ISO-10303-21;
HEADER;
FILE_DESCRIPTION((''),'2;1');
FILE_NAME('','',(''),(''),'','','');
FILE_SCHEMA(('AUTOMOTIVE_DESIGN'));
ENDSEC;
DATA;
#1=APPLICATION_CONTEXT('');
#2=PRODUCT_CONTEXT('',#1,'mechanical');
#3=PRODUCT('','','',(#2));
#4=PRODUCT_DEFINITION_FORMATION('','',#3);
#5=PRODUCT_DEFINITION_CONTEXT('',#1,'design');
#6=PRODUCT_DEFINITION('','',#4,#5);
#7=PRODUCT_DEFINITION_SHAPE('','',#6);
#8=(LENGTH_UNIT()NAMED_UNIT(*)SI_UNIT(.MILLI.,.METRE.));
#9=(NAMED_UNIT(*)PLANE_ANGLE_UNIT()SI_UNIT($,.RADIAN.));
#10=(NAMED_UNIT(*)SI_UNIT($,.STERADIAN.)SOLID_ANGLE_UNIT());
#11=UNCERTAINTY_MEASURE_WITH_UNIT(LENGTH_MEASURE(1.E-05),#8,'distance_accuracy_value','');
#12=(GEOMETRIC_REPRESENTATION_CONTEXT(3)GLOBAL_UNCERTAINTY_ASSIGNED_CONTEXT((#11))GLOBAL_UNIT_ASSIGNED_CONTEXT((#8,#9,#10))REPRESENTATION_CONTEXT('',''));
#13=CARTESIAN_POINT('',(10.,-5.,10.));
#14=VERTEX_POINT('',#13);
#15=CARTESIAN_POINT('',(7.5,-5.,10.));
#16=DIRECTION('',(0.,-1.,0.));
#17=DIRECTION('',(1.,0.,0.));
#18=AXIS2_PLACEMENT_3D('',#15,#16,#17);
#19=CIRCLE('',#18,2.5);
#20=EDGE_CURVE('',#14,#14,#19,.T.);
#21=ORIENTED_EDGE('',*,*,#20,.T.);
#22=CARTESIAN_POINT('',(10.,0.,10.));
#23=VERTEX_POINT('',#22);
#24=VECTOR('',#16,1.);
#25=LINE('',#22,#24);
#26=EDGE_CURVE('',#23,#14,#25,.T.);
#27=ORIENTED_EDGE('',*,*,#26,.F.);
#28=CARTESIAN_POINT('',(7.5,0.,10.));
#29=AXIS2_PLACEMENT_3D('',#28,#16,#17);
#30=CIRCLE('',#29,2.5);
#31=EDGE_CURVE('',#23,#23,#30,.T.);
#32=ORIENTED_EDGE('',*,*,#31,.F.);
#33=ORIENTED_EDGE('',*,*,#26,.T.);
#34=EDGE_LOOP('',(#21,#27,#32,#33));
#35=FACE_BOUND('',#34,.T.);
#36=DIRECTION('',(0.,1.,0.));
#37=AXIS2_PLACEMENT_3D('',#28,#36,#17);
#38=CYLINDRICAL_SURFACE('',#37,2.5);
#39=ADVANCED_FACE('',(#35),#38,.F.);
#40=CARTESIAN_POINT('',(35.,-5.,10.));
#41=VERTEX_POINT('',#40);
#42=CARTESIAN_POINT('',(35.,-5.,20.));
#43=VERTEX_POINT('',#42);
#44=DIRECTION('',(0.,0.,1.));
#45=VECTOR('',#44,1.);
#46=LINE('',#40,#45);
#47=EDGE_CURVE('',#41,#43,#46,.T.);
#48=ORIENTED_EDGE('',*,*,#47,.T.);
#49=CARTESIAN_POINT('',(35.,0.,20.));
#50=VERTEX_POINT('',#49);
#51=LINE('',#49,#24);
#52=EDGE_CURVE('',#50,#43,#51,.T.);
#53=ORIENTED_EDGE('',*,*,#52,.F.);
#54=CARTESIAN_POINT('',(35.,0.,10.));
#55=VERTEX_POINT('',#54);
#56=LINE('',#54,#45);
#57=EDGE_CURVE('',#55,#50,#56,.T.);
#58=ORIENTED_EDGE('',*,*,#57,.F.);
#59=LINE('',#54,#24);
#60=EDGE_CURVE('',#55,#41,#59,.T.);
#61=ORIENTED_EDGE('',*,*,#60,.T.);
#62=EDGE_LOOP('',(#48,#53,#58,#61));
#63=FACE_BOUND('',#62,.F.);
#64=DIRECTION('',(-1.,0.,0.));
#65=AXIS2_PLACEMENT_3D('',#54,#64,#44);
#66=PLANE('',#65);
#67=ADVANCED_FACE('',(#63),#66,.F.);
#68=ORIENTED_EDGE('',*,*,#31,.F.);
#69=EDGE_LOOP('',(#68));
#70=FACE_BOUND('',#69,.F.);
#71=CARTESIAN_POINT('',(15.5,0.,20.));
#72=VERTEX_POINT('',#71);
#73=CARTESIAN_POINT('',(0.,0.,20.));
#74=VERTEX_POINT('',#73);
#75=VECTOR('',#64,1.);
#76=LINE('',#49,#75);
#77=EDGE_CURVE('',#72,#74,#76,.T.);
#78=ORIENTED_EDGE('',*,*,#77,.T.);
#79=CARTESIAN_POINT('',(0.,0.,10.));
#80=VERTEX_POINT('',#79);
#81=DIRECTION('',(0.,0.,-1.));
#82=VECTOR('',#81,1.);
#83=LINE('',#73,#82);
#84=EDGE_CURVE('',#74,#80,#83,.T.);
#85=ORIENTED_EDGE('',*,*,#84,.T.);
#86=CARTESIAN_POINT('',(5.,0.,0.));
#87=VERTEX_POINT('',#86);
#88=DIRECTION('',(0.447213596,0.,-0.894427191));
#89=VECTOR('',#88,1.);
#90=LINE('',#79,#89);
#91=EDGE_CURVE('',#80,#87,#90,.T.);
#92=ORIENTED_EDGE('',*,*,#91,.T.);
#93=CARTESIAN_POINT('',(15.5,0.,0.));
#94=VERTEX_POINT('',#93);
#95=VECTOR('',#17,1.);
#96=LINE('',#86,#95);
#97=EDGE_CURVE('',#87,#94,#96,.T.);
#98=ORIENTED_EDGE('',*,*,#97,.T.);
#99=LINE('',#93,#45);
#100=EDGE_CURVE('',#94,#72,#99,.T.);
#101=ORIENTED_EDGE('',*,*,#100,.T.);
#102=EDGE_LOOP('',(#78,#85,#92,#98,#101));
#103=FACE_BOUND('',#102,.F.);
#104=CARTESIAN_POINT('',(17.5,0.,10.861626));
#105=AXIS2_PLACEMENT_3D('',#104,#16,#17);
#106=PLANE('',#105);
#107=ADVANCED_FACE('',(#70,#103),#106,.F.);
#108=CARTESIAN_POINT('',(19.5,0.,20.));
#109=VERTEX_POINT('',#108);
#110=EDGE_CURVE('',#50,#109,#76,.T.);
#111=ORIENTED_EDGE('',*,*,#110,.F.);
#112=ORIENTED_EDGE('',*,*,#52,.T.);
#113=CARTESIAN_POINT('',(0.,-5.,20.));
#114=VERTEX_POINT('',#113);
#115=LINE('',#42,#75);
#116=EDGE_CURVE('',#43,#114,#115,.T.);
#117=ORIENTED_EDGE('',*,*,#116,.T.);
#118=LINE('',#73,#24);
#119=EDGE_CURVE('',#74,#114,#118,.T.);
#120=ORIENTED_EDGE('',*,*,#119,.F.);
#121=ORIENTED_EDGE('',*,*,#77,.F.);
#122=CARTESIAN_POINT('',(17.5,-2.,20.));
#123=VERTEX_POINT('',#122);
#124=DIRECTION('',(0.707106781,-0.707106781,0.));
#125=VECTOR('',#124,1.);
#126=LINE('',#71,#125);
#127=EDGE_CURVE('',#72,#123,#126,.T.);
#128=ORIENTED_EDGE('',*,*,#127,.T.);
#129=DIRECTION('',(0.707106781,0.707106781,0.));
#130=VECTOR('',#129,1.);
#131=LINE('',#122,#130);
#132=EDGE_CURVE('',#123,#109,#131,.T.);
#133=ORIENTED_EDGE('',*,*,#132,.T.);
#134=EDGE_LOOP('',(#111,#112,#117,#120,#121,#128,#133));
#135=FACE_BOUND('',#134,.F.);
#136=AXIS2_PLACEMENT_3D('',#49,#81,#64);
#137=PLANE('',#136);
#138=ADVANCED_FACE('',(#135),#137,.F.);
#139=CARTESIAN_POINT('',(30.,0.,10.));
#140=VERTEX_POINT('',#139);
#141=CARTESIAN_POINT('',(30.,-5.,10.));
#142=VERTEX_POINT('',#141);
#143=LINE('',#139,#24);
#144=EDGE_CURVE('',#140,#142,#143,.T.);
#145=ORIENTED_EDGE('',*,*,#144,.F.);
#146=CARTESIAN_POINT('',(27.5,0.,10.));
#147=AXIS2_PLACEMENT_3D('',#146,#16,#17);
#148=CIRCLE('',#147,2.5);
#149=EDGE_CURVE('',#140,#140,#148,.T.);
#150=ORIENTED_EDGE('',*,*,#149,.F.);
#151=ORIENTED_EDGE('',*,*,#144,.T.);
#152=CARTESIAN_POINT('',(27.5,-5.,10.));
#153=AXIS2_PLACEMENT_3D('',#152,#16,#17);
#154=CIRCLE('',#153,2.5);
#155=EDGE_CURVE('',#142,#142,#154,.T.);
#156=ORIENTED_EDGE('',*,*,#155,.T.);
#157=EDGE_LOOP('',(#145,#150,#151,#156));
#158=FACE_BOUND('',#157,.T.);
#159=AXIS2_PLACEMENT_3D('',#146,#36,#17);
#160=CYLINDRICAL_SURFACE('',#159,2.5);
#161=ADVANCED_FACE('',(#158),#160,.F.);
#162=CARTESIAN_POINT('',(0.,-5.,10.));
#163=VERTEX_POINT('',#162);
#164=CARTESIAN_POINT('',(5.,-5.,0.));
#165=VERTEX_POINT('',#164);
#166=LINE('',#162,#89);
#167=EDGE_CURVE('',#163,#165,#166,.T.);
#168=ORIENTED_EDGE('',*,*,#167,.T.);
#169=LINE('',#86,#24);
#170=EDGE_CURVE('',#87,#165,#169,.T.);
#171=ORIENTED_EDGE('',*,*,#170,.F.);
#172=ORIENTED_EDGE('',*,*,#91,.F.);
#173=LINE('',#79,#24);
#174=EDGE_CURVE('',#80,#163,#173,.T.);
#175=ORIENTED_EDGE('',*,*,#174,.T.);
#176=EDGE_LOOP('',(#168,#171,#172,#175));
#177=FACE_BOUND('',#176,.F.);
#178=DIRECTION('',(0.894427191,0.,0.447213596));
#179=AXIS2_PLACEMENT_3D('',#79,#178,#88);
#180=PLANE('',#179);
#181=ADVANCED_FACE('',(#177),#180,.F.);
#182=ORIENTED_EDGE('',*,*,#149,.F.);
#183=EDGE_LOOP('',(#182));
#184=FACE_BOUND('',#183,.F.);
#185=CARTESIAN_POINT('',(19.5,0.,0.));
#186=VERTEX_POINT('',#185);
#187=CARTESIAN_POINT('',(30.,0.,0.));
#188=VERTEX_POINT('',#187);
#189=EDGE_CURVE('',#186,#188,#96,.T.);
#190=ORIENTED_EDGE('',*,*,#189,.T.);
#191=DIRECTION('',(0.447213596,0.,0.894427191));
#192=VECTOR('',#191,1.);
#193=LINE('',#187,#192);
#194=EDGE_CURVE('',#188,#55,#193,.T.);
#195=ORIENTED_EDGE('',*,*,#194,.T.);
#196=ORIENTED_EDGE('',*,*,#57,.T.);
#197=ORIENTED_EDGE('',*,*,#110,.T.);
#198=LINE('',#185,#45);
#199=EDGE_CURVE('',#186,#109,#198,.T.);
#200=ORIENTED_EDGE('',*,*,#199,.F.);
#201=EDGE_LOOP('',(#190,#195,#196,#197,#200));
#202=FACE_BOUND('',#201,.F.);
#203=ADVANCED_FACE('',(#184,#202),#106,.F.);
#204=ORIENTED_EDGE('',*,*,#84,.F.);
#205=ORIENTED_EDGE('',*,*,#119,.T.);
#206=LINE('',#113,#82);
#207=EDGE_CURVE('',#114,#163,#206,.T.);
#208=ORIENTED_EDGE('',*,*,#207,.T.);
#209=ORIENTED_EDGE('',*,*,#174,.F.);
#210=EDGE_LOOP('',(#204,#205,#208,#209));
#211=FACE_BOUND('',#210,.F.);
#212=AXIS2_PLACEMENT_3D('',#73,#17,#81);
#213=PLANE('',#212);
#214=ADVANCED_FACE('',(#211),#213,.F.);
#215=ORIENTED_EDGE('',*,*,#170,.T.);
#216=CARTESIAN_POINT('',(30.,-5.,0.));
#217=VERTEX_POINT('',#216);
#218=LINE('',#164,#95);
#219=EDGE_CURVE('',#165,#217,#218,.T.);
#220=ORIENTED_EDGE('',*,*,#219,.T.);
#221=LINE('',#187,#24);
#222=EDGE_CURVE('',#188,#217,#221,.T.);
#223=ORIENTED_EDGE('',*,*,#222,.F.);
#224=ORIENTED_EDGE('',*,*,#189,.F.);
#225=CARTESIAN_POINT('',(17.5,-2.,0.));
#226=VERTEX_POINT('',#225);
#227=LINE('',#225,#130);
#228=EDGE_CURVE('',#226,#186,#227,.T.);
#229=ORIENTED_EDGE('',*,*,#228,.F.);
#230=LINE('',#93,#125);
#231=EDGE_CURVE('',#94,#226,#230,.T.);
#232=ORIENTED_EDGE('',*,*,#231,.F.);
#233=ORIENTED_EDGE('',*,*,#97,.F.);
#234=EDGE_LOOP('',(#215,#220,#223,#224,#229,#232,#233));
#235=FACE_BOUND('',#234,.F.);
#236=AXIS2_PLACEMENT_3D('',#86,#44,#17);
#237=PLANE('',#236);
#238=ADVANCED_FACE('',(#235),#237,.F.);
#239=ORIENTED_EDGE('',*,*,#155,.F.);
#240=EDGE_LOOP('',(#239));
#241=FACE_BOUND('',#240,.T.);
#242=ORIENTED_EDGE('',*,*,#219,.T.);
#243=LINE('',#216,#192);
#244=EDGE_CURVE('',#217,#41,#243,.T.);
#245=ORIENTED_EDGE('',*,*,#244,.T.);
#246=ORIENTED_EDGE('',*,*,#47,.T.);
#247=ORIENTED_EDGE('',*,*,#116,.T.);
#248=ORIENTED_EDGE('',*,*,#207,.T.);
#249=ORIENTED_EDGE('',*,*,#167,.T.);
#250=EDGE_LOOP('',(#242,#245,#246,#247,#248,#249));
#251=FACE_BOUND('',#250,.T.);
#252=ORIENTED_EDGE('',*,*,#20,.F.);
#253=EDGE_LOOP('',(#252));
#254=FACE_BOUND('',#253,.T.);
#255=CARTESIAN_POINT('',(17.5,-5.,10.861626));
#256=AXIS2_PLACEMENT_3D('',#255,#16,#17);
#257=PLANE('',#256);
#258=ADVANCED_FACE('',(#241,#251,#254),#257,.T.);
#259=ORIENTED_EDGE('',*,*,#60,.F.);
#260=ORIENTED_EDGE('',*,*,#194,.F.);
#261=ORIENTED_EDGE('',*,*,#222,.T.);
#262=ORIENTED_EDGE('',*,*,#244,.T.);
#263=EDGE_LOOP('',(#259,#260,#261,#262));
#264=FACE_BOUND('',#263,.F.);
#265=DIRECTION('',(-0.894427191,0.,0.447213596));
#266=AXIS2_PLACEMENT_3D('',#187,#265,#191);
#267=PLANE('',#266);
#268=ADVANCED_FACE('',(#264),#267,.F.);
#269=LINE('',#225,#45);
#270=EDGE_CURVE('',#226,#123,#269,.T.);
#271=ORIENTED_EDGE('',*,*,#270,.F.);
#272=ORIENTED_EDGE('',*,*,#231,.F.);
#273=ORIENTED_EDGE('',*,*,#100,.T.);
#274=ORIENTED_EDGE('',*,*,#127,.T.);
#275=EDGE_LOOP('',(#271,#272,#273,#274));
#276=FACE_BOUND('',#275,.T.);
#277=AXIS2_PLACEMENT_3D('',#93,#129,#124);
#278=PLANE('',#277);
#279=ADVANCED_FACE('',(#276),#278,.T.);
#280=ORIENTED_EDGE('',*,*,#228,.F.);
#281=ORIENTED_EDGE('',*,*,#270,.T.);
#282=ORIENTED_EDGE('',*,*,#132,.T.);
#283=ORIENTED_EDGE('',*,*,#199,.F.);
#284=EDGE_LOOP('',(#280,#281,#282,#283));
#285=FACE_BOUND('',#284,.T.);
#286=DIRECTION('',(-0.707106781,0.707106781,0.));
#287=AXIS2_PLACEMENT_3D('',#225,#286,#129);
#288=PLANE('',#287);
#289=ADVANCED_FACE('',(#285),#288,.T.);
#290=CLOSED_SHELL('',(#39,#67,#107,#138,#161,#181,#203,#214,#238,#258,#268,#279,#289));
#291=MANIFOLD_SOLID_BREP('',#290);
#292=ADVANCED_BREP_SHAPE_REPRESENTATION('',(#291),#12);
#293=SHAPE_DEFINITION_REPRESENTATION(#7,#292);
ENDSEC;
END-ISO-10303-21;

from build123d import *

# Parameters (mm, degrees)
SKETCH002_R      = 2.5
EXTRUDE002_DEPTH = 5
EXTRUDE001_DEPTH = 20
EXTRUDE_DEPTH    = 5


with BuildPart() as extrude002:
    # Sketch002 (on Cut) → Extrude002 (new body)
    with BuildSketch(Plane.XZ):
        with Locations((27.5, 10)):
            Circle(SKETCH002_R)
        with Locations((7.5, 10)):
            Circle(SKETCH002_R)
    extrude(amount=EXTRUDE002_DEPTH)


with BuildPart() as extrude001:
    # Sketch001 (on Extrude) → Extrude001 (new body)
    with BuildSketch(Plane.XY):
        Polygon((15.5, 0), (17.5, -2), (19.5, 0), align=None)
    extrude(amount=EXTRUDE001_DEPTH)


with BuildPart() as cut001:
    # Sketch → Extrude (new body)
    with BuildSketch(Plane.XZ):
        Polygon((0, 10), (5, 0), (30, 0), (35, 10), (35, 20), (0, 20), align=None)
    extrude(amount=EXTRUDE_DEPTH)

    # Cut: cut Extrude001
    add(extrude001.part, mode=Mode.SUBTRACT)

    # Cut001: cut Extrude002
    add(extrude002.part, mode=Mode.SUBTRACT)


solid = cut001.part
